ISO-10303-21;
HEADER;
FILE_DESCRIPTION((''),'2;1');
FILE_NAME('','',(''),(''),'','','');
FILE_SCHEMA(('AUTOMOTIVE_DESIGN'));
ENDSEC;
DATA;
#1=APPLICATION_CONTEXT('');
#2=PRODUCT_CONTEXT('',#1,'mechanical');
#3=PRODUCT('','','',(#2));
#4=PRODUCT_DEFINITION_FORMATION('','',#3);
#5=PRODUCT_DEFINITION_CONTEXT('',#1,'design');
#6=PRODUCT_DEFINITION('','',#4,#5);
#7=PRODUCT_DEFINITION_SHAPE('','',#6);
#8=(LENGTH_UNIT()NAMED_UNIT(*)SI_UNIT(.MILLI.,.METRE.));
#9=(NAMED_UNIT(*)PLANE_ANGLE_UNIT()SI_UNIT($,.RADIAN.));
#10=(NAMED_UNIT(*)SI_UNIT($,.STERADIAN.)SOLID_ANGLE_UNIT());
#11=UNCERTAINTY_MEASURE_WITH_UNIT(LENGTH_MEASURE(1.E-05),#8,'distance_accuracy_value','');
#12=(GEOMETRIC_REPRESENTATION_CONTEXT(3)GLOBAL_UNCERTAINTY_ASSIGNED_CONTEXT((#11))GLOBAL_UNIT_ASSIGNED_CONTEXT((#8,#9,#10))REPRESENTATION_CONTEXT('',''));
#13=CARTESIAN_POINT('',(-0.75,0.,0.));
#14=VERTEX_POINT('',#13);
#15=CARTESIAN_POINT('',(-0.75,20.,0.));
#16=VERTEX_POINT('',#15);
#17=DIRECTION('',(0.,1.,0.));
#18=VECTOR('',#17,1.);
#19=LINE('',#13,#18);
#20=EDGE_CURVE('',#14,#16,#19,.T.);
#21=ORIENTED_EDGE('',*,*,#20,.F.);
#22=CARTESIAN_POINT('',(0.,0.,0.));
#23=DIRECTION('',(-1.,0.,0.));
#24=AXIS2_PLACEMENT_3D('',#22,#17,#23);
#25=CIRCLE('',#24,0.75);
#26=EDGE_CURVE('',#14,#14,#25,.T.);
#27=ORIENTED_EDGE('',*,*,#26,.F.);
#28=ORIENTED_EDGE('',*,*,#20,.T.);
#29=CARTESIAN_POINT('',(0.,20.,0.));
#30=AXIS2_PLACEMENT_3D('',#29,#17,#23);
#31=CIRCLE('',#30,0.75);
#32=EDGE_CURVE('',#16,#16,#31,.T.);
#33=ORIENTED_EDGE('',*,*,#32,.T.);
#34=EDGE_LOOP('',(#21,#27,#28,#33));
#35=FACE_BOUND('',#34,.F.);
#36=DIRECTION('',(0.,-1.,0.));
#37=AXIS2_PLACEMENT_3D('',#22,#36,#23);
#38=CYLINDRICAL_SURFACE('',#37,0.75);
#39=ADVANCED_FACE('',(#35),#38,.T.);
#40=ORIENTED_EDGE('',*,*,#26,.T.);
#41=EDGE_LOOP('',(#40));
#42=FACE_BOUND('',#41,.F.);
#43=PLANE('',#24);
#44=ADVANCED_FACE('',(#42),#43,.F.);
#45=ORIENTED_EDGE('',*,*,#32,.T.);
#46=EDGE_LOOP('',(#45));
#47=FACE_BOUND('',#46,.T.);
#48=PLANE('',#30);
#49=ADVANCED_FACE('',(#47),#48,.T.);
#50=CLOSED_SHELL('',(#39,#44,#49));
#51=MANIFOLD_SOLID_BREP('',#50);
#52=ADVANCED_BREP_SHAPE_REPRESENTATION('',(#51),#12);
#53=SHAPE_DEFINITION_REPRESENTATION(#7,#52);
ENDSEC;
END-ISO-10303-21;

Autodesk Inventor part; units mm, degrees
ref_plane "YZ Plane" through (0, 0, 0) normal (1, 0, 0) x (0, 1, 0)
ref_plane "XZ Plane" through (0, 0, 0) normal (0, 1, 0) x (-1, 0, 0)
ref_plane "XY Plane" through (0, 0, 0) normal (0, 0, 1) x (1, 0, 0)
sketch "Szkic1" plane through (0, 0, 0) normal (0, 1, 0) x (-1, 0, 0)
  circle A0 centre (0, 0) radius 0.75
  dimension "d0" = 1.5
extrude "Wyciągnięcie proste1" add sketch "Szkic1" along normal blind 20
properties part number "pret20mm" material "Miedź"
